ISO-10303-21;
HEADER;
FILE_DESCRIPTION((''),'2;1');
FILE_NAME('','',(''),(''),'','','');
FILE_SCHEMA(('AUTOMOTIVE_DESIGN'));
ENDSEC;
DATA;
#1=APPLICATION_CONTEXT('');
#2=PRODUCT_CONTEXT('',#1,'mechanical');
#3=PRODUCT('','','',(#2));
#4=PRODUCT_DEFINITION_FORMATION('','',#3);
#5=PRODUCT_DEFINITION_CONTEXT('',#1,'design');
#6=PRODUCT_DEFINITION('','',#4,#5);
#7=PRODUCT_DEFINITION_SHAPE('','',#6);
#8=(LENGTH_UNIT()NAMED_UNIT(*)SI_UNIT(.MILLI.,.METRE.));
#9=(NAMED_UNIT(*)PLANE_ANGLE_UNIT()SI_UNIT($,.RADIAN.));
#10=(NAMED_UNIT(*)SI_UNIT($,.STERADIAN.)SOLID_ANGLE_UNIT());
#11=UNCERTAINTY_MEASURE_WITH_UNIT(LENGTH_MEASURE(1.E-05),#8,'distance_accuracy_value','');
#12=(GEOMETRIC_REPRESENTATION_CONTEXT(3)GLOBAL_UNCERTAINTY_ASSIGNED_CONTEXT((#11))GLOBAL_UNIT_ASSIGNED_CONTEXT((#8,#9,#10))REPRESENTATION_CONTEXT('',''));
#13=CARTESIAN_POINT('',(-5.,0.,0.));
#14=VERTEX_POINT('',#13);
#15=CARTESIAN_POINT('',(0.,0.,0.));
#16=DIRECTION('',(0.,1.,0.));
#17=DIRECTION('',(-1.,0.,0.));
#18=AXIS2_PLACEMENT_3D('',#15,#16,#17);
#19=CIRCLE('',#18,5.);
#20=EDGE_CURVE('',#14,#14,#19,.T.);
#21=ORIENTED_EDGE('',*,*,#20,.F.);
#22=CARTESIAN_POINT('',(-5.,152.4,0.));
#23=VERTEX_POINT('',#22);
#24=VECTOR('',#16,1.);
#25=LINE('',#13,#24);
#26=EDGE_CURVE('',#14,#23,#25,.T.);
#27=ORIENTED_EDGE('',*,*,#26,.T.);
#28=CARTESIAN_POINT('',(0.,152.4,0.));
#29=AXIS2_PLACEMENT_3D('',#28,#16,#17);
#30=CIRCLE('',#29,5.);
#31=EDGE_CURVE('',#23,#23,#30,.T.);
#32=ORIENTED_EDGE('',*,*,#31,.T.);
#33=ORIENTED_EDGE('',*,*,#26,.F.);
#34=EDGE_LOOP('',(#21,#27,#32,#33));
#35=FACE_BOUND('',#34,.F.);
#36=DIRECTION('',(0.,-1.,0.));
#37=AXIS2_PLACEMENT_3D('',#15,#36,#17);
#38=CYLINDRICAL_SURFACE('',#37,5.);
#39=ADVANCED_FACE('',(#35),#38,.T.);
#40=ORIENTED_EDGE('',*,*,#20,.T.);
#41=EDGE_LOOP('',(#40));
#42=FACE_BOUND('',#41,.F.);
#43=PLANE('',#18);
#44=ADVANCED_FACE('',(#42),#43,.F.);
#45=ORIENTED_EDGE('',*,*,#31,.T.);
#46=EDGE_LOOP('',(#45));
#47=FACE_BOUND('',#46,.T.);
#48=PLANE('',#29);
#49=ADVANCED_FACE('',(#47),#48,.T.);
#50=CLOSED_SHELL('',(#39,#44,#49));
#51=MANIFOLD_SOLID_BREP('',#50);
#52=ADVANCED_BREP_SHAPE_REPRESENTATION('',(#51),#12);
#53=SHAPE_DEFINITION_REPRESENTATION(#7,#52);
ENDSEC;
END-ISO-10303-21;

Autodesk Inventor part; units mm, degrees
ref_plane "YZ Plane" through (0, 0, 0) normal (1, 0, 0) x (0, 1, 0)
ref_plane "XZ Plane" through (0, 0, 0) normal (0, 1, 0) x (-1, 0, 0)
ref_plane "XY Plane" through (0, 0, 0) normal (0, 0, 1) x (1, 0, 0)
sketch "Sketch1" plane through (0, 0, 0) normal (0, 1, 0) x (-1, 0, 0)
  circle A0 centre (0, 0) radius 5
  dimension "d0" = 10
extrude "Extrusion1" add sketch "Sketch1" along normal blind 152.4
properties material "Steel, Alloy"
